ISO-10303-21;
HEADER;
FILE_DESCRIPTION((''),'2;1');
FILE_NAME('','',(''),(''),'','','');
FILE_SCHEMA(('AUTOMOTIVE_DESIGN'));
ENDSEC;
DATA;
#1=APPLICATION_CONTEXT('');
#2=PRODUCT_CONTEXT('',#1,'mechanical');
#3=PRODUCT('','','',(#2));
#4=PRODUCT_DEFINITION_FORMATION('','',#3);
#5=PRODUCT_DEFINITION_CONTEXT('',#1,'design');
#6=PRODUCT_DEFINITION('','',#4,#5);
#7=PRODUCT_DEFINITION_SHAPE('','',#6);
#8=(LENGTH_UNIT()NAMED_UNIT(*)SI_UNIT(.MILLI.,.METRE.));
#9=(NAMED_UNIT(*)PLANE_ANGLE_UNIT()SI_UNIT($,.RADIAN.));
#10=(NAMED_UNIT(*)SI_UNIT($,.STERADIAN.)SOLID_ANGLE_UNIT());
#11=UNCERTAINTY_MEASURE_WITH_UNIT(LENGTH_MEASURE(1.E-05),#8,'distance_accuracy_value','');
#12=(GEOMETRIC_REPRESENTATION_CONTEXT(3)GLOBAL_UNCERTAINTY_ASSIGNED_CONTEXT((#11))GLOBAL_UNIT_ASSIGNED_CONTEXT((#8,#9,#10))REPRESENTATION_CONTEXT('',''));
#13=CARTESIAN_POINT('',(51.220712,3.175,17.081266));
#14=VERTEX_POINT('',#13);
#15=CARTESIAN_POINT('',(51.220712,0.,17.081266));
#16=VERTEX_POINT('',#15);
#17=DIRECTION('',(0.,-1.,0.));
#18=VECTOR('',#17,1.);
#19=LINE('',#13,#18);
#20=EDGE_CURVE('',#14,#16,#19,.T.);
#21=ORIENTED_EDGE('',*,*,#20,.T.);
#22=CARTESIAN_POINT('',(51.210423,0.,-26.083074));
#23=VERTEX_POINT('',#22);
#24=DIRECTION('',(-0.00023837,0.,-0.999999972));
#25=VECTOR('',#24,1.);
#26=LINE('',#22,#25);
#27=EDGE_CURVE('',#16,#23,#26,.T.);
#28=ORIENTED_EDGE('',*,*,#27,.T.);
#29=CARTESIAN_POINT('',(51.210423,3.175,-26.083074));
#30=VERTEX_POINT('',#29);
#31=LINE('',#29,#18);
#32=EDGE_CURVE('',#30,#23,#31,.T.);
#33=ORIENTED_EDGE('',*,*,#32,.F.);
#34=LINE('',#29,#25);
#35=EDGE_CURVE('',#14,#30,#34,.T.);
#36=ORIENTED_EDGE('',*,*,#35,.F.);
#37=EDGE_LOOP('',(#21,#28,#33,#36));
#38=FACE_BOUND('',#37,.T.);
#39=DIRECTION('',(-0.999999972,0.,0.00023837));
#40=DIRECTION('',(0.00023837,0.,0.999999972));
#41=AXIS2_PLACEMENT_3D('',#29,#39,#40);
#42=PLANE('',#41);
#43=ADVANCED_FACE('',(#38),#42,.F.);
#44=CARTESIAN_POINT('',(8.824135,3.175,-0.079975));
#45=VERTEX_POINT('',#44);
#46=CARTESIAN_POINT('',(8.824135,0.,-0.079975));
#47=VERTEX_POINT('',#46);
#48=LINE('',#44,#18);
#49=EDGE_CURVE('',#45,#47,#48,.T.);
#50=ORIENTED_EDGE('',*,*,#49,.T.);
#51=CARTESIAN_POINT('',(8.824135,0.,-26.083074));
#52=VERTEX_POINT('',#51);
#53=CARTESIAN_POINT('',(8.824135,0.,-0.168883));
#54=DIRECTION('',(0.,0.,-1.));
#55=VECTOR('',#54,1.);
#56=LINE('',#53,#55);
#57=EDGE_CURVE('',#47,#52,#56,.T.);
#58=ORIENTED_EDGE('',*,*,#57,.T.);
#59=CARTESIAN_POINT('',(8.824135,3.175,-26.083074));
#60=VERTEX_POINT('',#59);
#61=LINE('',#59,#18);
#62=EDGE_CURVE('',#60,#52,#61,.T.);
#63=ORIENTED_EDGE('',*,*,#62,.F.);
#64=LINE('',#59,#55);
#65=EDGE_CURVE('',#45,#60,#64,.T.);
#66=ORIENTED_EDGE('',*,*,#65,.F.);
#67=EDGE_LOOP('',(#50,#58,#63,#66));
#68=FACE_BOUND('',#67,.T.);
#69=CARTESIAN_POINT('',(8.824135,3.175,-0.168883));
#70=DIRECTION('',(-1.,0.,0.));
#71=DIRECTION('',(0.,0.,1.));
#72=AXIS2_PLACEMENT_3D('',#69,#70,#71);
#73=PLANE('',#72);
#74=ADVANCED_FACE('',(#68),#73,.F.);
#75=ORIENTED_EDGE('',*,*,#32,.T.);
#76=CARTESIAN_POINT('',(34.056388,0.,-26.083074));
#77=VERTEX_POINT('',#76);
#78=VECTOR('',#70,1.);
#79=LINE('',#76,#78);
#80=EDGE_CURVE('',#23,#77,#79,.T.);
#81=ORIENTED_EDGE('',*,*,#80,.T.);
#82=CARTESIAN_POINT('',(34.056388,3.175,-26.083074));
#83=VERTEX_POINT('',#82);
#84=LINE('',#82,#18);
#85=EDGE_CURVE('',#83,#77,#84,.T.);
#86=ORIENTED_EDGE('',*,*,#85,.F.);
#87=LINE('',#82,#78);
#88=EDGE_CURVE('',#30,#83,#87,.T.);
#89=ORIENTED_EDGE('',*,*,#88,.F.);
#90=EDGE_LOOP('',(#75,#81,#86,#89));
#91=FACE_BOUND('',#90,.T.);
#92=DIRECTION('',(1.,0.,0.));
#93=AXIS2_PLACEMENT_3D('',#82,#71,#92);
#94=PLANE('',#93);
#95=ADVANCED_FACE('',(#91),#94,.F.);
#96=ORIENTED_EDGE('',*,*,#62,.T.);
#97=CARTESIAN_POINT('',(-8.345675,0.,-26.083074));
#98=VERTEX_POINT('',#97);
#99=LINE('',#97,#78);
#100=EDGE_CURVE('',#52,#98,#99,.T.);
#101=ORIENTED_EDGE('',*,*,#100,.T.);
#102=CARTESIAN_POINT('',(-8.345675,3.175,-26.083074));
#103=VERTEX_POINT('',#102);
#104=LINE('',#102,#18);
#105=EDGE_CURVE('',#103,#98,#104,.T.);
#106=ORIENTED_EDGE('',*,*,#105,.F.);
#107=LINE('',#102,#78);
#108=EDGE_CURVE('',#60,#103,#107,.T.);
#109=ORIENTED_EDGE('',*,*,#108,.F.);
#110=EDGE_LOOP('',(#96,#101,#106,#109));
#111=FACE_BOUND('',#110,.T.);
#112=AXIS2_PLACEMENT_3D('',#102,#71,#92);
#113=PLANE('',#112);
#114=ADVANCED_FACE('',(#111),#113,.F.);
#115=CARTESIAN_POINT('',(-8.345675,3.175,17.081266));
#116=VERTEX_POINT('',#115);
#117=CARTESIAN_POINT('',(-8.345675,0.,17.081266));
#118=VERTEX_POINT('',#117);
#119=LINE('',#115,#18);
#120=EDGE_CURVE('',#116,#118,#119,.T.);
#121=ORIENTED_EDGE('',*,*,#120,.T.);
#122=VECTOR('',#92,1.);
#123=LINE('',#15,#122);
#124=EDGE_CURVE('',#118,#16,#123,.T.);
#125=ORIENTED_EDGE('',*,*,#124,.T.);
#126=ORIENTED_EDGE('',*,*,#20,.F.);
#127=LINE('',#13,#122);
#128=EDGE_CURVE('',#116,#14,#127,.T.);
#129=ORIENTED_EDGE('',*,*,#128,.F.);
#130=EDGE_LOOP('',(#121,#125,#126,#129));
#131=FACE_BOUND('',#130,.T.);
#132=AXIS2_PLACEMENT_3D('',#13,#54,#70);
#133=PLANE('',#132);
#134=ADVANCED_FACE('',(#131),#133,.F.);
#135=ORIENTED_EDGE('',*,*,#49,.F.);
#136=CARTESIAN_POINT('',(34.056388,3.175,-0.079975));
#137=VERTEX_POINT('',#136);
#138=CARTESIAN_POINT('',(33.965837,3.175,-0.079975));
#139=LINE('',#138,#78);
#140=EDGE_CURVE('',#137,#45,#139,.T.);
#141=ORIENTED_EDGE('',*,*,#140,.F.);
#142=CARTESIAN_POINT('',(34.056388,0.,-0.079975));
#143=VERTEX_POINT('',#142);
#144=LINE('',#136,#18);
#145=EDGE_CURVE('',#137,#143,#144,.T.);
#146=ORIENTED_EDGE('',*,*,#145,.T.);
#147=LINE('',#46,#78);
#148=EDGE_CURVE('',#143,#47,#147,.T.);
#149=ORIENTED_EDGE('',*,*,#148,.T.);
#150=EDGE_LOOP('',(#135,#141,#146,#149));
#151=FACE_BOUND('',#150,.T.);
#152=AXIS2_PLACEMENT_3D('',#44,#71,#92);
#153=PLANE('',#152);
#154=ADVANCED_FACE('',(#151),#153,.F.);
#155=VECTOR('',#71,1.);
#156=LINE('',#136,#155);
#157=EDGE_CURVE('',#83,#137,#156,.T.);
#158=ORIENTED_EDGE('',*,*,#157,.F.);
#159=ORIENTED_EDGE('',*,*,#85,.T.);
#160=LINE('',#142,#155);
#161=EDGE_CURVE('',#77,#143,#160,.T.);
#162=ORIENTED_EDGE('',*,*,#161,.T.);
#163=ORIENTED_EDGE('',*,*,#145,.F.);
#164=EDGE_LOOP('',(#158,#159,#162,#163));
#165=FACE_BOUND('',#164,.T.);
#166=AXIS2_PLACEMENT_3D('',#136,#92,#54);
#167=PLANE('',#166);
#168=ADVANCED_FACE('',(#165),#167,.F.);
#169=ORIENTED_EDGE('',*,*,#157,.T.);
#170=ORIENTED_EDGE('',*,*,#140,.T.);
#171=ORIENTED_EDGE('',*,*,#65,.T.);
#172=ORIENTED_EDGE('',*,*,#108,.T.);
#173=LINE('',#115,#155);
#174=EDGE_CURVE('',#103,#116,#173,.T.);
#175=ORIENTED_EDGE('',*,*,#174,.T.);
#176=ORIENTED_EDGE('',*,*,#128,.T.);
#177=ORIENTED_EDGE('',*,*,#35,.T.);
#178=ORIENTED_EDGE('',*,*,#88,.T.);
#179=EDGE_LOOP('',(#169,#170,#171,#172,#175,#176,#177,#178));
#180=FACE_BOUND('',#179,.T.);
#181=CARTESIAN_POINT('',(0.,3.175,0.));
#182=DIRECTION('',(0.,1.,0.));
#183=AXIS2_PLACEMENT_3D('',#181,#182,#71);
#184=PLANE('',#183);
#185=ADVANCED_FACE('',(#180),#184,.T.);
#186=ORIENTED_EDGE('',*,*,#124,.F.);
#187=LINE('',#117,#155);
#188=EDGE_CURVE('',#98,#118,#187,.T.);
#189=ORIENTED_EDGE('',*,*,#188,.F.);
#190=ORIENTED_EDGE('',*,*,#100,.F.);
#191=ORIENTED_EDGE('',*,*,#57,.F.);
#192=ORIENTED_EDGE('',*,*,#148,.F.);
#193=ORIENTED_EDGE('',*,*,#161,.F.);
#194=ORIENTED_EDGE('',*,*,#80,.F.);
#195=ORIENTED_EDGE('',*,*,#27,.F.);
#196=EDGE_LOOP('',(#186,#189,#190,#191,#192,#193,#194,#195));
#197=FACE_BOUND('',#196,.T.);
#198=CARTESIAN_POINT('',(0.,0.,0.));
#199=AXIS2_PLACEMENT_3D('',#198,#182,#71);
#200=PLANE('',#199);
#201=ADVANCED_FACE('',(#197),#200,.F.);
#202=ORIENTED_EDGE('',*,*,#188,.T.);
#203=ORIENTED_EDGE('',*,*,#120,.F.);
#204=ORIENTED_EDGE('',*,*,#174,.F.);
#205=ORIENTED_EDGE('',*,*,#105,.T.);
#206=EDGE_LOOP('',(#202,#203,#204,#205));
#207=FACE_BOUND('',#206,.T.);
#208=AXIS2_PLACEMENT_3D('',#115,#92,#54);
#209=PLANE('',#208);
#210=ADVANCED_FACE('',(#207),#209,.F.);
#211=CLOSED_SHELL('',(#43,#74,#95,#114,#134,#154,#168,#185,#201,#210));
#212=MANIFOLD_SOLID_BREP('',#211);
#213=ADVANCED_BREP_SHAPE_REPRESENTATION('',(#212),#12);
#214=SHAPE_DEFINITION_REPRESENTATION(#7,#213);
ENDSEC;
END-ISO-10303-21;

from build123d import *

# Parameters (mm, degrees)
BOSS_EXTRUDE1_DEPTH = 3.175


with BuildPart() as part:
    # Sketch2 → Boss-Extrude1 (new body)
    with BuildSketch(Plane(origin=(0, 0, 0), x_dir=(1, 0, 0), z_dir=(0, 1, 0))):
        Polygon((-8.345674947, 26.083074024), (8.824135378, 26.083074024), (8.824135378, 0.16888316), (8.824135378, 0.079975058), (33.965837388, 0.079975058), (34.05638807, 0.079975058), (34.05638807, 26.083074024), (51.210423078, 26.083074024), (51.220712183, -17.081265506), (-8.345674947, -17.081265506), align=None)
    extrude(amount=BOSS_EXTRUDE1_DEPTH)


solid = part.part
